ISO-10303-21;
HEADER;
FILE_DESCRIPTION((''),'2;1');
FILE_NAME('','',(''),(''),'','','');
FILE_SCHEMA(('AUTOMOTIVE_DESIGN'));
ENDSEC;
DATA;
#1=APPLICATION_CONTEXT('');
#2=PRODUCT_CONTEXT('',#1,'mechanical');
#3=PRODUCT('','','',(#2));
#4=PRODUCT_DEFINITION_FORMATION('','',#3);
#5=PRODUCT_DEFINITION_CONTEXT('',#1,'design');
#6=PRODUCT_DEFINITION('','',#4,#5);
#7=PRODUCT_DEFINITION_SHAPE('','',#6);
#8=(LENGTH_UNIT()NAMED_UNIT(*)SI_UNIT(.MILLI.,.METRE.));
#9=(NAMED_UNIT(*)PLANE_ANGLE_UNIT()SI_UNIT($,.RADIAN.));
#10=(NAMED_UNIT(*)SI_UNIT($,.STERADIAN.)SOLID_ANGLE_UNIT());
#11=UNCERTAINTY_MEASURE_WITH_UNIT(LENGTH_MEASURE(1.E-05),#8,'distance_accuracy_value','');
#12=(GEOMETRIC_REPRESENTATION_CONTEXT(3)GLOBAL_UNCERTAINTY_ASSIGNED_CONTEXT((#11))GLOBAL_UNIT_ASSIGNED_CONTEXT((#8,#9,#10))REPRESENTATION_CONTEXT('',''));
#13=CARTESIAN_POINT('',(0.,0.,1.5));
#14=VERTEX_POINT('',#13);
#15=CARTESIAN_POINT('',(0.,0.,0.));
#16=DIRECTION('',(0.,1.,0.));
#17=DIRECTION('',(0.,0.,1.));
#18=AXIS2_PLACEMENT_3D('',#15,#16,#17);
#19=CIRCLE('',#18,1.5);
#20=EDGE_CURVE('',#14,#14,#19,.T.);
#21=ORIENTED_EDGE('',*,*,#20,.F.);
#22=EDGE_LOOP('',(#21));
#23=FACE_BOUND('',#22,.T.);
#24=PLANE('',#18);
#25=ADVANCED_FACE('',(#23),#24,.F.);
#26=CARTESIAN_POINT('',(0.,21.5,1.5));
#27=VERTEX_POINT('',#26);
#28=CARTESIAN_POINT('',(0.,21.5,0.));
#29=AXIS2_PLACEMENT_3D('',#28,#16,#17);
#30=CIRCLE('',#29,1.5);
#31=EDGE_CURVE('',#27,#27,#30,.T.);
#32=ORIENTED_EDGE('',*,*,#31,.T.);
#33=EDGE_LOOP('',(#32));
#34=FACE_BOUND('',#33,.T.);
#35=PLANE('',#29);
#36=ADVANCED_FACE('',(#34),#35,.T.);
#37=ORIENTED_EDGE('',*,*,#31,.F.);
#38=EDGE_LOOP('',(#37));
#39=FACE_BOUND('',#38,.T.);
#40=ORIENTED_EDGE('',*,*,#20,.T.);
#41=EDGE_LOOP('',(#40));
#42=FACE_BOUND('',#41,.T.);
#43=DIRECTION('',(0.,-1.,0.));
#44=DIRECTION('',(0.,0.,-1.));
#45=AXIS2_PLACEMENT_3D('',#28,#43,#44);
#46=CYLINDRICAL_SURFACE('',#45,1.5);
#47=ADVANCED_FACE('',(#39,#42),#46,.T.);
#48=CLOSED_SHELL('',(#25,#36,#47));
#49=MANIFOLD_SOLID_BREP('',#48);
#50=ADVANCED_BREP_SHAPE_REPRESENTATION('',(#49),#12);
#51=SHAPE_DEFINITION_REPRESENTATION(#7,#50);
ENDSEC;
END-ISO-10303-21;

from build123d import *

# Parameters (mm, degrees)
SKETCH_1_R      = 1.5
EXTRUDE_1_DEPTH = 21.5


with BuildPart() as part:
    # 草图1 → 凸台-拉伸1 (new body)
    with BuildSketch(Plane(origin=(0, 0, 0), x_dir=(1, 0, 0), z_dir=(0, 1, 0))):
        with Locations(Location((0, 0, 0), (0, 0, 270))):
            Circle(SKETCH_1_R)
    extrude(amount=EXTRUDE_1_DEPTH)


solid = part.part
